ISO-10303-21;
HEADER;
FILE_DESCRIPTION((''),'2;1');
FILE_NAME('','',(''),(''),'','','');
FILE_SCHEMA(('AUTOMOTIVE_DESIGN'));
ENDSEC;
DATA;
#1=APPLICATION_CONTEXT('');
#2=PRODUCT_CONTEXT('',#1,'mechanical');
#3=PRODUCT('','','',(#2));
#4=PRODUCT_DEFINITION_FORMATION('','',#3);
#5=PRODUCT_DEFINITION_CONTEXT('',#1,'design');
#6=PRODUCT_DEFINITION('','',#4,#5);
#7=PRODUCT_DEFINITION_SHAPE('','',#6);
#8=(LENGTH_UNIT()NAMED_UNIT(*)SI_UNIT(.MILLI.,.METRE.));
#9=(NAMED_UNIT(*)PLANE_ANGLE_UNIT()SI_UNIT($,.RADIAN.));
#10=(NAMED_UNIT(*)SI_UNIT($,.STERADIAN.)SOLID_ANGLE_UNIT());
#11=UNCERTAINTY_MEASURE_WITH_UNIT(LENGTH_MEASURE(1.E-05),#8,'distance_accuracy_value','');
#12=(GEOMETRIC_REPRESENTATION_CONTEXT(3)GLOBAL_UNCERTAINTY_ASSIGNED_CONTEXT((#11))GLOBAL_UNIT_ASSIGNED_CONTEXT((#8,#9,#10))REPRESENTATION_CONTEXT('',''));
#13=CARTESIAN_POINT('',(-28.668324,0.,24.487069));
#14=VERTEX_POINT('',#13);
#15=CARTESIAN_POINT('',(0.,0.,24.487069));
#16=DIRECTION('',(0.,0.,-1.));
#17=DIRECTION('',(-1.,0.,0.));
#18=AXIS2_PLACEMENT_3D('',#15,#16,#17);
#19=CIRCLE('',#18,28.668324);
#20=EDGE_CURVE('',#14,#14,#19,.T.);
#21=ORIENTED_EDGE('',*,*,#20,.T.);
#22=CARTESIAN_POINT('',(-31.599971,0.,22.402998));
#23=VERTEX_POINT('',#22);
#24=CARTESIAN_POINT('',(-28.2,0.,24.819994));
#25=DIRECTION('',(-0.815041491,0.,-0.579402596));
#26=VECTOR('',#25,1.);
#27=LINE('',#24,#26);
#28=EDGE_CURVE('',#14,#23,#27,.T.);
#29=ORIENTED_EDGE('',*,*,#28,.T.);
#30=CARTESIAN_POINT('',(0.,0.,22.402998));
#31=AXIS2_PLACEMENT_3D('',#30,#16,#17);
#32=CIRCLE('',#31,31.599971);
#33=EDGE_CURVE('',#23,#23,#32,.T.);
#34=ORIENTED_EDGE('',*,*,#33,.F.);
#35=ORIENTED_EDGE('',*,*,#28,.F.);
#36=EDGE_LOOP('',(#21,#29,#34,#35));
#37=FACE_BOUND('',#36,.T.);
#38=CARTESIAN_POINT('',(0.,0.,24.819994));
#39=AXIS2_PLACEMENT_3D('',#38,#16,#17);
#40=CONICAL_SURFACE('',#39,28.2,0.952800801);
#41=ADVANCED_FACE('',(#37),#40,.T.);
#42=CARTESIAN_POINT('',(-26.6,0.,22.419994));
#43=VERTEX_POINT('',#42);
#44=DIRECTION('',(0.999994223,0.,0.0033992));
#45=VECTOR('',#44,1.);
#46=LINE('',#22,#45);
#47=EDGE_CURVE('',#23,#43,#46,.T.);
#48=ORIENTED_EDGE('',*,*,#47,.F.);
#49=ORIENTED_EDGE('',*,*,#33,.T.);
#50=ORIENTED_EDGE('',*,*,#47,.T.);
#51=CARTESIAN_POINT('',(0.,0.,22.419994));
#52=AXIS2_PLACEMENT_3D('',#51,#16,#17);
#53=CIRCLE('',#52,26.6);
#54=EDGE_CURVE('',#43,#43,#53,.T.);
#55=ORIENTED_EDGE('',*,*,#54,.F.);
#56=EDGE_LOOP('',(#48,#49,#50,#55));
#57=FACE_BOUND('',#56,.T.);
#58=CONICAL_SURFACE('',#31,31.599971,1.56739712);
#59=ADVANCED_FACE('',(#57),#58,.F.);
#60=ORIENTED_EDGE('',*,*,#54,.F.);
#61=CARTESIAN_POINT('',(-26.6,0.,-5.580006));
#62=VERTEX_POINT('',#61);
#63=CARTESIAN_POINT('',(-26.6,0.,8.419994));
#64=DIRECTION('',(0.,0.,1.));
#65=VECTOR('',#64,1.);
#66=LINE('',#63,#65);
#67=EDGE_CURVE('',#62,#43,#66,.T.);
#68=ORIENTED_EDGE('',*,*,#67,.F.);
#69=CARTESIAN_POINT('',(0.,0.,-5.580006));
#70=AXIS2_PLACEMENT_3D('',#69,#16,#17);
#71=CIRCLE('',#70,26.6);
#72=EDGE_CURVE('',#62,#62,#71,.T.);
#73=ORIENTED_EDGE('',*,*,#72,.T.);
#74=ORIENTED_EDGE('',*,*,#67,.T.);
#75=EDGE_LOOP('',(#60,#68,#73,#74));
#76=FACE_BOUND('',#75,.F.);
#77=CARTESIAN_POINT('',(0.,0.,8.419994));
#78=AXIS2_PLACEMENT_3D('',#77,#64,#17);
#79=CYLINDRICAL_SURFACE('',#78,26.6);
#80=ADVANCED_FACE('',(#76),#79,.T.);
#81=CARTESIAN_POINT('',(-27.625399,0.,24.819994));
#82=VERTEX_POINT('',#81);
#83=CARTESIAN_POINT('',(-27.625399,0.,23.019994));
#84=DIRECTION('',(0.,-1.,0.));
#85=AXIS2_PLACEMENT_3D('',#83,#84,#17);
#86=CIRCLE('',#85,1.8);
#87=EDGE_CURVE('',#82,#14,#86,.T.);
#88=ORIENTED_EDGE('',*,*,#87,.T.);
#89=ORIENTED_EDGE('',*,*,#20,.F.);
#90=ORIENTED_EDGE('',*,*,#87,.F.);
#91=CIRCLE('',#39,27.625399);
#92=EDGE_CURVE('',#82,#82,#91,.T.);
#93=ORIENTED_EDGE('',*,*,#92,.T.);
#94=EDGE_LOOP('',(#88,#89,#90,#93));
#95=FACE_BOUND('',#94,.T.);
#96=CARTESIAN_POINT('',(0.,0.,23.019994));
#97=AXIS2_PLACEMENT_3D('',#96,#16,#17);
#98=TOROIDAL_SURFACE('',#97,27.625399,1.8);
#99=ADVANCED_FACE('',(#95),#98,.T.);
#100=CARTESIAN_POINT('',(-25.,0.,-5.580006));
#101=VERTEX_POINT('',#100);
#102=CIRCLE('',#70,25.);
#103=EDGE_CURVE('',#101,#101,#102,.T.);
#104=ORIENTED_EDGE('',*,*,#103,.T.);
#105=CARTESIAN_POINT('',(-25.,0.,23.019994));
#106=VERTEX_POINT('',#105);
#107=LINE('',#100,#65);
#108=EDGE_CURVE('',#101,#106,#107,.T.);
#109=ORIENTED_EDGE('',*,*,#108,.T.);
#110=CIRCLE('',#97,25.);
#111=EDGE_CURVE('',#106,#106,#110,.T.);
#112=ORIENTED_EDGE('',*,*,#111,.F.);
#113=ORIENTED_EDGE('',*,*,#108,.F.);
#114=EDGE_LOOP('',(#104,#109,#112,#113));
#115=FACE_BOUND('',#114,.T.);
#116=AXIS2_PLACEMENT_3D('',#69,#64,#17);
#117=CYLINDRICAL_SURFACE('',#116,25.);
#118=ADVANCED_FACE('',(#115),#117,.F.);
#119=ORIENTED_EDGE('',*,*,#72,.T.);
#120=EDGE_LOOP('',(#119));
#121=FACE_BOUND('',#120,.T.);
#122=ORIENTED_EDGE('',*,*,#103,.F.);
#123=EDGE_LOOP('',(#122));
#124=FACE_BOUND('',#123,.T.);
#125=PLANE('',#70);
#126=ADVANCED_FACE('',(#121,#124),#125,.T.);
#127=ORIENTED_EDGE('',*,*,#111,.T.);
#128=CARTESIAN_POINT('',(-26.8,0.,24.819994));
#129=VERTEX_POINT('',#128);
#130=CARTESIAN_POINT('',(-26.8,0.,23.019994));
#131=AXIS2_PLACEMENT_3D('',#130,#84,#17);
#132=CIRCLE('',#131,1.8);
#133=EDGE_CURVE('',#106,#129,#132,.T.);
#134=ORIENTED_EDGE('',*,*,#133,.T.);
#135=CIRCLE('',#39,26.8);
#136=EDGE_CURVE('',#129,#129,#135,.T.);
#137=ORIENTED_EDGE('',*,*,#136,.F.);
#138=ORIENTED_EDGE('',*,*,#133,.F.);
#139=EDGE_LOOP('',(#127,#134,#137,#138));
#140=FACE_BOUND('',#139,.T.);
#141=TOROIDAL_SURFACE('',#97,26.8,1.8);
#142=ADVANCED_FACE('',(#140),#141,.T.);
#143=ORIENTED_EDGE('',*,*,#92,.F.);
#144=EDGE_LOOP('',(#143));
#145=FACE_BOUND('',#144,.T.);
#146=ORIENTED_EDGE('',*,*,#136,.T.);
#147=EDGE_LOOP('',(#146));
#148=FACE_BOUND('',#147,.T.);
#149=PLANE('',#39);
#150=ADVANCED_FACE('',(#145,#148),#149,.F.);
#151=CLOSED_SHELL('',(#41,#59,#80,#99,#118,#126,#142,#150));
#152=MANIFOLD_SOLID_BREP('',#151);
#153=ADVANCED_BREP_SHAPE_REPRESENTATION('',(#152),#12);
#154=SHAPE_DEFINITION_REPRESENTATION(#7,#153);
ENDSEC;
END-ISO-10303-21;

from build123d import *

# Parameters (mm, degrees)
F0_W = 1.6
F0_H = 28
F2_R = 1.8


with BuildPart() as f1:
    # F0 (on Front) → F1 (revolve)
    with BuildSketch(Plane.XZ):
        Polygon((-31.599971, 22.402998), (-26.6, 22.419994), (-25, 22.419994), (-25, 24.819994), (-28.2, 24.819994), align=None)
        with Locations((-25.8, 8.419994)):
            Rectangle(F0_W, F0_H)
    revolve(axis=Axis((0, 0, -8.381579), (0, 0, -1)))

    # F2
    f2_edges = [f1.edges().sort_by_distance(p)[0] for p in [
        (25, 0, 24.819994),
        (28.2, 0, 24.819994),
    ]]
    fillet(f2_edges, radius=F2_R)


solid = f1.part
